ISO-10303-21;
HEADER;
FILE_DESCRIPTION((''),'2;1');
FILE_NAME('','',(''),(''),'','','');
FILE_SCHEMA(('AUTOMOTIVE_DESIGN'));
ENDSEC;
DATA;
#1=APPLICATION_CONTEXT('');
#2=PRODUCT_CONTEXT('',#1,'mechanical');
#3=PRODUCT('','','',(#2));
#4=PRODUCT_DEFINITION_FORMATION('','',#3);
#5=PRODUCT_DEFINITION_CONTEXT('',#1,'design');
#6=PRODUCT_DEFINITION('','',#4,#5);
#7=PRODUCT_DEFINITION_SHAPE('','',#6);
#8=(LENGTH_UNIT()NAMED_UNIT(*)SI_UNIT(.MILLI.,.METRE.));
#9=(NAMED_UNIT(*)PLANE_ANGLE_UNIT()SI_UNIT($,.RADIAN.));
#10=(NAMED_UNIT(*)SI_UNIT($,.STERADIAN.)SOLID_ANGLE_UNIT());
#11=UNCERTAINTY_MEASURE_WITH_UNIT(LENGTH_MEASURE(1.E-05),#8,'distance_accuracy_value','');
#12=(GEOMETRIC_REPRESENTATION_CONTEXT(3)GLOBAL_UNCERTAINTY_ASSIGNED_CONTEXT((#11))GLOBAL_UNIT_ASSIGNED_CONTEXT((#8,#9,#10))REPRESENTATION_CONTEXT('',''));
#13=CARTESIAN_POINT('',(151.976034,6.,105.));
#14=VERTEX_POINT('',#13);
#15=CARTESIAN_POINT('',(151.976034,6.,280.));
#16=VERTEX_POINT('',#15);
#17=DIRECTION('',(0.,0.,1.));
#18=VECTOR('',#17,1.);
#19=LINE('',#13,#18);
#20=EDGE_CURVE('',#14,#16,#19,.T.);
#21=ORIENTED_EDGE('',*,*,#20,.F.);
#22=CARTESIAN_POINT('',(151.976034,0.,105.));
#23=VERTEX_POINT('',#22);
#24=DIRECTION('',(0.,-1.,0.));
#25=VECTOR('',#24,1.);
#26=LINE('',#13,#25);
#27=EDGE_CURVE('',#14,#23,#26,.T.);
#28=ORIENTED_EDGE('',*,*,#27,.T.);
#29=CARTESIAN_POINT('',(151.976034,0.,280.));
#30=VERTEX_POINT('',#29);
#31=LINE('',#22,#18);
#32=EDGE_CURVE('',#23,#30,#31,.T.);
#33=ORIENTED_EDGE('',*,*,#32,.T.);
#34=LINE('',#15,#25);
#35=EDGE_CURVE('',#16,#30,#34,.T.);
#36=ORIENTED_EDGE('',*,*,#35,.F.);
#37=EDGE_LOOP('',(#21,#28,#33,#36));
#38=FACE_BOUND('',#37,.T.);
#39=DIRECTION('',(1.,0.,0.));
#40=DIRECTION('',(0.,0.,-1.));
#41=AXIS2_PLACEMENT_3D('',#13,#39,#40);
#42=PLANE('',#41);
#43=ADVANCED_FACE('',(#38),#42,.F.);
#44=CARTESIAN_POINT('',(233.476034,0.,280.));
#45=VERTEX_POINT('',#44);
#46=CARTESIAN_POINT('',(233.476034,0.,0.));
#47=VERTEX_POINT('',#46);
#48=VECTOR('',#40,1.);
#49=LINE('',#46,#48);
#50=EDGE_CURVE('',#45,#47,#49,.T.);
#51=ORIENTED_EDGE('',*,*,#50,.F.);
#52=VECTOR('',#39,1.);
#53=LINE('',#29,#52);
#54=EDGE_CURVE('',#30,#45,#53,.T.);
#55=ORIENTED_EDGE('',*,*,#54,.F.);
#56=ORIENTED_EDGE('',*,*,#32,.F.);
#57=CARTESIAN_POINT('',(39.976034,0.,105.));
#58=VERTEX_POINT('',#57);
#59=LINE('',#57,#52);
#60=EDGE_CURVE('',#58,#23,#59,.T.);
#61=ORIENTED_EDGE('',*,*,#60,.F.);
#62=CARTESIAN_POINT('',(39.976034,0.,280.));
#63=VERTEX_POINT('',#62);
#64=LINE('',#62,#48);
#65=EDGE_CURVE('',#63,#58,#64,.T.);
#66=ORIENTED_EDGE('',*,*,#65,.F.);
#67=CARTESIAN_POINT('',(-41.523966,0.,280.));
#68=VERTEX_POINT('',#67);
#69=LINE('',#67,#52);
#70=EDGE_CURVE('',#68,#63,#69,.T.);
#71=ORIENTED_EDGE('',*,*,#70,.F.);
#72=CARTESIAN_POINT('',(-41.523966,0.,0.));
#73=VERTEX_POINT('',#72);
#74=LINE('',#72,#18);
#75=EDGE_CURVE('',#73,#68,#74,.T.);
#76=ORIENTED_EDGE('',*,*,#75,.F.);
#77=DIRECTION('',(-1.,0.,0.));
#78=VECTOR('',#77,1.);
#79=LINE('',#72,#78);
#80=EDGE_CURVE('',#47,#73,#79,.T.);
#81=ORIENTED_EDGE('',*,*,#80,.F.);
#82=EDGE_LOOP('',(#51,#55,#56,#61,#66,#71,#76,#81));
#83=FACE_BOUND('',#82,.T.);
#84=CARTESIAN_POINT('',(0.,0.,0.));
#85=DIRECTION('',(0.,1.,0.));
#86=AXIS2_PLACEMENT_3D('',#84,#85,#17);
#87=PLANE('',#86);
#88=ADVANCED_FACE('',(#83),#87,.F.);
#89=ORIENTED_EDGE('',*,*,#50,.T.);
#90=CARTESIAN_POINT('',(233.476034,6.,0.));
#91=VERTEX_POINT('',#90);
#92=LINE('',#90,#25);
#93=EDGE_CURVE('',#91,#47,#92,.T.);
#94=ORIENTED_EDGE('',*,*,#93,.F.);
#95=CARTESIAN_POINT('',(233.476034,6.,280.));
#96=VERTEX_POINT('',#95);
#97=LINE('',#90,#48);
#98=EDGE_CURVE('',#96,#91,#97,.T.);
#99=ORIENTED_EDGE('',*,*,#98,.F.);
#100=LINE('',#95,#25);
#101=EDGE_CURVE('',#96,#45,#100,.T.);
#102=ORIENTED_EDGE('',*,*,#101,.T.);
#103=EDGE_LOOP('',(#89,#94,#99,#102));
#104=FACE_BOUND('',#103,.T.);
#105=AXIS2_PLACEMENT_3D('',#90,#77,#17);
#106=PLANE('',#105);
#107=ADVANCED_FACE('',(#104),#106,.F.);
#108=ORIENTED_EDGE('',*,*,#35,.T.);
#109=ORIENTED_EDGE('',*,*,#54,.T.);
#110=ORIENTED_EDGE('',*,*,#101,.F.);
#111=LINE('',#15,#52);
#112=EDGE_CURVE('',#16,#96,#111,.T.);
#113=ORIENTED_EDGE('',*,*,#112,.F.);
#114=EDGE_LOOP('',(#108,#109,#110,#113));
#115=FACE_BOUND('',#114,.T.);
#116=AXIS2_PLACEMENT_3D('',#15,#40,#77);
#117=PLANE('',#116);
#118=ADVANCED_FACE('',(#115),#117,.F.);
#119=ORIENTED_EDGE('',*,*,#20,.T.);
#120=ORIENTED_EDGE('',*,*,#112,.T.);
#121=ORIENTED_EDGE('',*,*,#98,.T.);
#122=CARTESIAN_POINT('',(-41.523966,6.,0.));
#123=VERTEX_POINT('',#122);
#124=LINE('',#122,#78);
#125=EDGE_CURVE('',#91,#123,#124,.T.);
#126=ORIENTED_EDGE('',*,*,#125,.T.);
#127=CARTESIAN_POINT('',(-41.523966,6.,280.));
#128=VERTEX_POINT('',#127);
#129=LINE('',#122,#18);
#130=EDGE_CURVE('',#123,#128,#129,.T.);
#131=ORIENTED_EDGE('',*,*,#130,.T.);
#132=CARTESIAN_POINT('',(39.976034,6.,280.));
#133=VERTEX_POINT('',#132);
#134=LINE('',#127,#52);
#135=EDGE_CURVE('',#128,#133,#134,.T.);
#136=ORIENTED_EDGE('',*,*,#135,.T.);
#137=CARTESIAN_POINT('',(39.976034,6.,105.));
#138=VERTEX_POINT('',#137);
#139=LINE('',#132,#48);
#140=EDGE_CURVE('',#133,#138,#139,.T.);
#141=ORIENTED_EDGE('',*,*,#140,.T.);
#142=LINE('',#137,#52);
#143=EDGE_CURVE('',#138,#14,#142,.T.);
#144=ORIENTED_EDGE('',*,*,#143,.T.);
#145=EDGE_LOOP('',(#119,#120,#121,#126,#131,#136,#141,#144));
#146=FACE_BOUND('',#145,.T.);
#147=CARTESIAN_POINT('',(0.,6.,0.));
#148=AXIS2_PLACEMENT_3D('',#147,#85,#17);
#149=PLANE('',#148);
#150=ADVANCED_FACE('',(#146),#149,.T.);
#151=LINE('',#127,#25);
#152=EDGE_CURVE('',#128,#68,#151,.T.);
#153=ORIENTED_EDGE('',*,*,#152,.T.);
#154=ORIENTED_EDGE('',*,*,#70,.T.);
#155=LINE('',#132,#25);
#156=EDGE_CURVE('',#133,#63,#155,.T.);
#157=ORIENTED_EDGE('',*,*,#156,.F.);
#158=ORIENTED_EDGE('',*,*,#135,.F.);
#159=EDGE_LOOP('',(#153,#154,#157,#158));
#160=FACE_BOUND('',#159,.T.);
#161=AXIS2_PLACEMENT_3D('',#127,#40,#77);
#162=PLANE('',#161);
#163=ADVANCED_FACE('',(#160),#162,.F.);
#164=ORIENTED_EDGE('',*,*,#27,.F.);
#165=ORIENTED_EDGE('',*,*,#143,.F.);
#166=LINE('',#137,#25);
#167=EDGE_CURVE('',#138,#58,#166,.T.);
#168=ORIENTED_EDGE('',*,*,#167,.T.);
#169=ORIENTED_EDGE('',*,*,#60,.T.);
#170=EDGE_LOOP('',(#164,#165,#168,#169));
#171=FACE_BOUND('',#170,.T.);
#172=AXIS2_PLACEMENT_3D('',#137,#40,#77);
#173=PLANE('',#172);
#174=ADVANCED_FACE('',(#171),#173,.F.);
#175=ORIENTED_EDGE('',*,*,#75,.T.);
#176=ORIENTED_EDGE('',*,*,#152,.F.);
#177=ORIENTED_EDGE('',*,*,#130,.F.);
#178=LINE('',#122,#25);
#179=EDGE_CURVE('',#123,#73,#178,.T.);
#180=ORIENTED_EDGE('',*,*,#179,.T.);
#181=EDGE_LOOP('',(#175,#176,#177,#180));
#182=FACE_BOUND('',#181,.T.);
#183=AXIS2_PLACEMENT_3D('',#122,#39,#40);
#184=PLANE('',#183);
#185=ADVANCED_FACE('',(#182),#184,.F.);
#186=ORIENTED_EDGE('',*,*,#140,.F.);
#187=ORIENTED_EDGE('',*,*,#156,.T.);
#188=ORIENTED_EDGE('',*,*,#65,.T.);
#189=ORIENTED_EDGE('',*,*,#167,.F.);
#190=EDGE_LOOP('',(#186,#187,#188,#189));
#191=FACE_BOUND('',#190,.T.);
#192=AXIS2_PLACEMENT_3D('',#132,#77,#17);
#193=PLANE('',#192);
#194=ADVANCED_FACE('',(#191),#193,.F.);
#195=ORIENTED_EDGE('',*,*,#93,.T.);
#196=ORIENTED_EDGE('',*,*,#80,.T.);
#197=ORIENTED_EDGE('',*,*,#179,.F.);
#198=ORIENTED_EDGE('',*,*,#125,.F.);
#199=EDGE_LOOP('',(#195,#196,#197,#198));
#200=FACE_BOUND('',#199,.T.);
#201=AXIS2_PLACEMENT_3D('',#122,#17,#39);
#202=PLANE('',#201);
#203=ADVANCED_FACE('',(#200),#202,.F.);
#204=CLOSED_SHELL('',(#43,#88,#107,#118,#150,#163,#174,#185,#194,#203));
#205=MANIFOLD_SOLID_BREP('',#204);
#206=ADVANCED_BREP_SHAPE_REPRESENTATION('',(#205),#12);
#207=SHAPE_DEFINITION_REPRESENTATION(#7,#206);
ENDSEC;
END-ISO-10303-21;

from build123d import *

# Parameters (mm, degrees)
BOSS_EXTRUDE1_DEPTH = 6


with BuildPart() as part:
    # Sketch2 → Boss-Extrude1 (new body)
    with BuildSketch(Plane(origin=(0, 0, 0), x_dir=(1, 0, 0), z_dir=(0, 1, 0))):
        Polygon((-41.523965694, 0), (233.476034306, 0), (233.476034306, -280), (151.976034306, -280), (151.976034306, -105), (39.976034306, -105), (39.976034306, -280), (-41.523965694, -280), align=None)
    extrude(amount=BOSS_EXTRUDE1_DEPTH)


solid = part.part
